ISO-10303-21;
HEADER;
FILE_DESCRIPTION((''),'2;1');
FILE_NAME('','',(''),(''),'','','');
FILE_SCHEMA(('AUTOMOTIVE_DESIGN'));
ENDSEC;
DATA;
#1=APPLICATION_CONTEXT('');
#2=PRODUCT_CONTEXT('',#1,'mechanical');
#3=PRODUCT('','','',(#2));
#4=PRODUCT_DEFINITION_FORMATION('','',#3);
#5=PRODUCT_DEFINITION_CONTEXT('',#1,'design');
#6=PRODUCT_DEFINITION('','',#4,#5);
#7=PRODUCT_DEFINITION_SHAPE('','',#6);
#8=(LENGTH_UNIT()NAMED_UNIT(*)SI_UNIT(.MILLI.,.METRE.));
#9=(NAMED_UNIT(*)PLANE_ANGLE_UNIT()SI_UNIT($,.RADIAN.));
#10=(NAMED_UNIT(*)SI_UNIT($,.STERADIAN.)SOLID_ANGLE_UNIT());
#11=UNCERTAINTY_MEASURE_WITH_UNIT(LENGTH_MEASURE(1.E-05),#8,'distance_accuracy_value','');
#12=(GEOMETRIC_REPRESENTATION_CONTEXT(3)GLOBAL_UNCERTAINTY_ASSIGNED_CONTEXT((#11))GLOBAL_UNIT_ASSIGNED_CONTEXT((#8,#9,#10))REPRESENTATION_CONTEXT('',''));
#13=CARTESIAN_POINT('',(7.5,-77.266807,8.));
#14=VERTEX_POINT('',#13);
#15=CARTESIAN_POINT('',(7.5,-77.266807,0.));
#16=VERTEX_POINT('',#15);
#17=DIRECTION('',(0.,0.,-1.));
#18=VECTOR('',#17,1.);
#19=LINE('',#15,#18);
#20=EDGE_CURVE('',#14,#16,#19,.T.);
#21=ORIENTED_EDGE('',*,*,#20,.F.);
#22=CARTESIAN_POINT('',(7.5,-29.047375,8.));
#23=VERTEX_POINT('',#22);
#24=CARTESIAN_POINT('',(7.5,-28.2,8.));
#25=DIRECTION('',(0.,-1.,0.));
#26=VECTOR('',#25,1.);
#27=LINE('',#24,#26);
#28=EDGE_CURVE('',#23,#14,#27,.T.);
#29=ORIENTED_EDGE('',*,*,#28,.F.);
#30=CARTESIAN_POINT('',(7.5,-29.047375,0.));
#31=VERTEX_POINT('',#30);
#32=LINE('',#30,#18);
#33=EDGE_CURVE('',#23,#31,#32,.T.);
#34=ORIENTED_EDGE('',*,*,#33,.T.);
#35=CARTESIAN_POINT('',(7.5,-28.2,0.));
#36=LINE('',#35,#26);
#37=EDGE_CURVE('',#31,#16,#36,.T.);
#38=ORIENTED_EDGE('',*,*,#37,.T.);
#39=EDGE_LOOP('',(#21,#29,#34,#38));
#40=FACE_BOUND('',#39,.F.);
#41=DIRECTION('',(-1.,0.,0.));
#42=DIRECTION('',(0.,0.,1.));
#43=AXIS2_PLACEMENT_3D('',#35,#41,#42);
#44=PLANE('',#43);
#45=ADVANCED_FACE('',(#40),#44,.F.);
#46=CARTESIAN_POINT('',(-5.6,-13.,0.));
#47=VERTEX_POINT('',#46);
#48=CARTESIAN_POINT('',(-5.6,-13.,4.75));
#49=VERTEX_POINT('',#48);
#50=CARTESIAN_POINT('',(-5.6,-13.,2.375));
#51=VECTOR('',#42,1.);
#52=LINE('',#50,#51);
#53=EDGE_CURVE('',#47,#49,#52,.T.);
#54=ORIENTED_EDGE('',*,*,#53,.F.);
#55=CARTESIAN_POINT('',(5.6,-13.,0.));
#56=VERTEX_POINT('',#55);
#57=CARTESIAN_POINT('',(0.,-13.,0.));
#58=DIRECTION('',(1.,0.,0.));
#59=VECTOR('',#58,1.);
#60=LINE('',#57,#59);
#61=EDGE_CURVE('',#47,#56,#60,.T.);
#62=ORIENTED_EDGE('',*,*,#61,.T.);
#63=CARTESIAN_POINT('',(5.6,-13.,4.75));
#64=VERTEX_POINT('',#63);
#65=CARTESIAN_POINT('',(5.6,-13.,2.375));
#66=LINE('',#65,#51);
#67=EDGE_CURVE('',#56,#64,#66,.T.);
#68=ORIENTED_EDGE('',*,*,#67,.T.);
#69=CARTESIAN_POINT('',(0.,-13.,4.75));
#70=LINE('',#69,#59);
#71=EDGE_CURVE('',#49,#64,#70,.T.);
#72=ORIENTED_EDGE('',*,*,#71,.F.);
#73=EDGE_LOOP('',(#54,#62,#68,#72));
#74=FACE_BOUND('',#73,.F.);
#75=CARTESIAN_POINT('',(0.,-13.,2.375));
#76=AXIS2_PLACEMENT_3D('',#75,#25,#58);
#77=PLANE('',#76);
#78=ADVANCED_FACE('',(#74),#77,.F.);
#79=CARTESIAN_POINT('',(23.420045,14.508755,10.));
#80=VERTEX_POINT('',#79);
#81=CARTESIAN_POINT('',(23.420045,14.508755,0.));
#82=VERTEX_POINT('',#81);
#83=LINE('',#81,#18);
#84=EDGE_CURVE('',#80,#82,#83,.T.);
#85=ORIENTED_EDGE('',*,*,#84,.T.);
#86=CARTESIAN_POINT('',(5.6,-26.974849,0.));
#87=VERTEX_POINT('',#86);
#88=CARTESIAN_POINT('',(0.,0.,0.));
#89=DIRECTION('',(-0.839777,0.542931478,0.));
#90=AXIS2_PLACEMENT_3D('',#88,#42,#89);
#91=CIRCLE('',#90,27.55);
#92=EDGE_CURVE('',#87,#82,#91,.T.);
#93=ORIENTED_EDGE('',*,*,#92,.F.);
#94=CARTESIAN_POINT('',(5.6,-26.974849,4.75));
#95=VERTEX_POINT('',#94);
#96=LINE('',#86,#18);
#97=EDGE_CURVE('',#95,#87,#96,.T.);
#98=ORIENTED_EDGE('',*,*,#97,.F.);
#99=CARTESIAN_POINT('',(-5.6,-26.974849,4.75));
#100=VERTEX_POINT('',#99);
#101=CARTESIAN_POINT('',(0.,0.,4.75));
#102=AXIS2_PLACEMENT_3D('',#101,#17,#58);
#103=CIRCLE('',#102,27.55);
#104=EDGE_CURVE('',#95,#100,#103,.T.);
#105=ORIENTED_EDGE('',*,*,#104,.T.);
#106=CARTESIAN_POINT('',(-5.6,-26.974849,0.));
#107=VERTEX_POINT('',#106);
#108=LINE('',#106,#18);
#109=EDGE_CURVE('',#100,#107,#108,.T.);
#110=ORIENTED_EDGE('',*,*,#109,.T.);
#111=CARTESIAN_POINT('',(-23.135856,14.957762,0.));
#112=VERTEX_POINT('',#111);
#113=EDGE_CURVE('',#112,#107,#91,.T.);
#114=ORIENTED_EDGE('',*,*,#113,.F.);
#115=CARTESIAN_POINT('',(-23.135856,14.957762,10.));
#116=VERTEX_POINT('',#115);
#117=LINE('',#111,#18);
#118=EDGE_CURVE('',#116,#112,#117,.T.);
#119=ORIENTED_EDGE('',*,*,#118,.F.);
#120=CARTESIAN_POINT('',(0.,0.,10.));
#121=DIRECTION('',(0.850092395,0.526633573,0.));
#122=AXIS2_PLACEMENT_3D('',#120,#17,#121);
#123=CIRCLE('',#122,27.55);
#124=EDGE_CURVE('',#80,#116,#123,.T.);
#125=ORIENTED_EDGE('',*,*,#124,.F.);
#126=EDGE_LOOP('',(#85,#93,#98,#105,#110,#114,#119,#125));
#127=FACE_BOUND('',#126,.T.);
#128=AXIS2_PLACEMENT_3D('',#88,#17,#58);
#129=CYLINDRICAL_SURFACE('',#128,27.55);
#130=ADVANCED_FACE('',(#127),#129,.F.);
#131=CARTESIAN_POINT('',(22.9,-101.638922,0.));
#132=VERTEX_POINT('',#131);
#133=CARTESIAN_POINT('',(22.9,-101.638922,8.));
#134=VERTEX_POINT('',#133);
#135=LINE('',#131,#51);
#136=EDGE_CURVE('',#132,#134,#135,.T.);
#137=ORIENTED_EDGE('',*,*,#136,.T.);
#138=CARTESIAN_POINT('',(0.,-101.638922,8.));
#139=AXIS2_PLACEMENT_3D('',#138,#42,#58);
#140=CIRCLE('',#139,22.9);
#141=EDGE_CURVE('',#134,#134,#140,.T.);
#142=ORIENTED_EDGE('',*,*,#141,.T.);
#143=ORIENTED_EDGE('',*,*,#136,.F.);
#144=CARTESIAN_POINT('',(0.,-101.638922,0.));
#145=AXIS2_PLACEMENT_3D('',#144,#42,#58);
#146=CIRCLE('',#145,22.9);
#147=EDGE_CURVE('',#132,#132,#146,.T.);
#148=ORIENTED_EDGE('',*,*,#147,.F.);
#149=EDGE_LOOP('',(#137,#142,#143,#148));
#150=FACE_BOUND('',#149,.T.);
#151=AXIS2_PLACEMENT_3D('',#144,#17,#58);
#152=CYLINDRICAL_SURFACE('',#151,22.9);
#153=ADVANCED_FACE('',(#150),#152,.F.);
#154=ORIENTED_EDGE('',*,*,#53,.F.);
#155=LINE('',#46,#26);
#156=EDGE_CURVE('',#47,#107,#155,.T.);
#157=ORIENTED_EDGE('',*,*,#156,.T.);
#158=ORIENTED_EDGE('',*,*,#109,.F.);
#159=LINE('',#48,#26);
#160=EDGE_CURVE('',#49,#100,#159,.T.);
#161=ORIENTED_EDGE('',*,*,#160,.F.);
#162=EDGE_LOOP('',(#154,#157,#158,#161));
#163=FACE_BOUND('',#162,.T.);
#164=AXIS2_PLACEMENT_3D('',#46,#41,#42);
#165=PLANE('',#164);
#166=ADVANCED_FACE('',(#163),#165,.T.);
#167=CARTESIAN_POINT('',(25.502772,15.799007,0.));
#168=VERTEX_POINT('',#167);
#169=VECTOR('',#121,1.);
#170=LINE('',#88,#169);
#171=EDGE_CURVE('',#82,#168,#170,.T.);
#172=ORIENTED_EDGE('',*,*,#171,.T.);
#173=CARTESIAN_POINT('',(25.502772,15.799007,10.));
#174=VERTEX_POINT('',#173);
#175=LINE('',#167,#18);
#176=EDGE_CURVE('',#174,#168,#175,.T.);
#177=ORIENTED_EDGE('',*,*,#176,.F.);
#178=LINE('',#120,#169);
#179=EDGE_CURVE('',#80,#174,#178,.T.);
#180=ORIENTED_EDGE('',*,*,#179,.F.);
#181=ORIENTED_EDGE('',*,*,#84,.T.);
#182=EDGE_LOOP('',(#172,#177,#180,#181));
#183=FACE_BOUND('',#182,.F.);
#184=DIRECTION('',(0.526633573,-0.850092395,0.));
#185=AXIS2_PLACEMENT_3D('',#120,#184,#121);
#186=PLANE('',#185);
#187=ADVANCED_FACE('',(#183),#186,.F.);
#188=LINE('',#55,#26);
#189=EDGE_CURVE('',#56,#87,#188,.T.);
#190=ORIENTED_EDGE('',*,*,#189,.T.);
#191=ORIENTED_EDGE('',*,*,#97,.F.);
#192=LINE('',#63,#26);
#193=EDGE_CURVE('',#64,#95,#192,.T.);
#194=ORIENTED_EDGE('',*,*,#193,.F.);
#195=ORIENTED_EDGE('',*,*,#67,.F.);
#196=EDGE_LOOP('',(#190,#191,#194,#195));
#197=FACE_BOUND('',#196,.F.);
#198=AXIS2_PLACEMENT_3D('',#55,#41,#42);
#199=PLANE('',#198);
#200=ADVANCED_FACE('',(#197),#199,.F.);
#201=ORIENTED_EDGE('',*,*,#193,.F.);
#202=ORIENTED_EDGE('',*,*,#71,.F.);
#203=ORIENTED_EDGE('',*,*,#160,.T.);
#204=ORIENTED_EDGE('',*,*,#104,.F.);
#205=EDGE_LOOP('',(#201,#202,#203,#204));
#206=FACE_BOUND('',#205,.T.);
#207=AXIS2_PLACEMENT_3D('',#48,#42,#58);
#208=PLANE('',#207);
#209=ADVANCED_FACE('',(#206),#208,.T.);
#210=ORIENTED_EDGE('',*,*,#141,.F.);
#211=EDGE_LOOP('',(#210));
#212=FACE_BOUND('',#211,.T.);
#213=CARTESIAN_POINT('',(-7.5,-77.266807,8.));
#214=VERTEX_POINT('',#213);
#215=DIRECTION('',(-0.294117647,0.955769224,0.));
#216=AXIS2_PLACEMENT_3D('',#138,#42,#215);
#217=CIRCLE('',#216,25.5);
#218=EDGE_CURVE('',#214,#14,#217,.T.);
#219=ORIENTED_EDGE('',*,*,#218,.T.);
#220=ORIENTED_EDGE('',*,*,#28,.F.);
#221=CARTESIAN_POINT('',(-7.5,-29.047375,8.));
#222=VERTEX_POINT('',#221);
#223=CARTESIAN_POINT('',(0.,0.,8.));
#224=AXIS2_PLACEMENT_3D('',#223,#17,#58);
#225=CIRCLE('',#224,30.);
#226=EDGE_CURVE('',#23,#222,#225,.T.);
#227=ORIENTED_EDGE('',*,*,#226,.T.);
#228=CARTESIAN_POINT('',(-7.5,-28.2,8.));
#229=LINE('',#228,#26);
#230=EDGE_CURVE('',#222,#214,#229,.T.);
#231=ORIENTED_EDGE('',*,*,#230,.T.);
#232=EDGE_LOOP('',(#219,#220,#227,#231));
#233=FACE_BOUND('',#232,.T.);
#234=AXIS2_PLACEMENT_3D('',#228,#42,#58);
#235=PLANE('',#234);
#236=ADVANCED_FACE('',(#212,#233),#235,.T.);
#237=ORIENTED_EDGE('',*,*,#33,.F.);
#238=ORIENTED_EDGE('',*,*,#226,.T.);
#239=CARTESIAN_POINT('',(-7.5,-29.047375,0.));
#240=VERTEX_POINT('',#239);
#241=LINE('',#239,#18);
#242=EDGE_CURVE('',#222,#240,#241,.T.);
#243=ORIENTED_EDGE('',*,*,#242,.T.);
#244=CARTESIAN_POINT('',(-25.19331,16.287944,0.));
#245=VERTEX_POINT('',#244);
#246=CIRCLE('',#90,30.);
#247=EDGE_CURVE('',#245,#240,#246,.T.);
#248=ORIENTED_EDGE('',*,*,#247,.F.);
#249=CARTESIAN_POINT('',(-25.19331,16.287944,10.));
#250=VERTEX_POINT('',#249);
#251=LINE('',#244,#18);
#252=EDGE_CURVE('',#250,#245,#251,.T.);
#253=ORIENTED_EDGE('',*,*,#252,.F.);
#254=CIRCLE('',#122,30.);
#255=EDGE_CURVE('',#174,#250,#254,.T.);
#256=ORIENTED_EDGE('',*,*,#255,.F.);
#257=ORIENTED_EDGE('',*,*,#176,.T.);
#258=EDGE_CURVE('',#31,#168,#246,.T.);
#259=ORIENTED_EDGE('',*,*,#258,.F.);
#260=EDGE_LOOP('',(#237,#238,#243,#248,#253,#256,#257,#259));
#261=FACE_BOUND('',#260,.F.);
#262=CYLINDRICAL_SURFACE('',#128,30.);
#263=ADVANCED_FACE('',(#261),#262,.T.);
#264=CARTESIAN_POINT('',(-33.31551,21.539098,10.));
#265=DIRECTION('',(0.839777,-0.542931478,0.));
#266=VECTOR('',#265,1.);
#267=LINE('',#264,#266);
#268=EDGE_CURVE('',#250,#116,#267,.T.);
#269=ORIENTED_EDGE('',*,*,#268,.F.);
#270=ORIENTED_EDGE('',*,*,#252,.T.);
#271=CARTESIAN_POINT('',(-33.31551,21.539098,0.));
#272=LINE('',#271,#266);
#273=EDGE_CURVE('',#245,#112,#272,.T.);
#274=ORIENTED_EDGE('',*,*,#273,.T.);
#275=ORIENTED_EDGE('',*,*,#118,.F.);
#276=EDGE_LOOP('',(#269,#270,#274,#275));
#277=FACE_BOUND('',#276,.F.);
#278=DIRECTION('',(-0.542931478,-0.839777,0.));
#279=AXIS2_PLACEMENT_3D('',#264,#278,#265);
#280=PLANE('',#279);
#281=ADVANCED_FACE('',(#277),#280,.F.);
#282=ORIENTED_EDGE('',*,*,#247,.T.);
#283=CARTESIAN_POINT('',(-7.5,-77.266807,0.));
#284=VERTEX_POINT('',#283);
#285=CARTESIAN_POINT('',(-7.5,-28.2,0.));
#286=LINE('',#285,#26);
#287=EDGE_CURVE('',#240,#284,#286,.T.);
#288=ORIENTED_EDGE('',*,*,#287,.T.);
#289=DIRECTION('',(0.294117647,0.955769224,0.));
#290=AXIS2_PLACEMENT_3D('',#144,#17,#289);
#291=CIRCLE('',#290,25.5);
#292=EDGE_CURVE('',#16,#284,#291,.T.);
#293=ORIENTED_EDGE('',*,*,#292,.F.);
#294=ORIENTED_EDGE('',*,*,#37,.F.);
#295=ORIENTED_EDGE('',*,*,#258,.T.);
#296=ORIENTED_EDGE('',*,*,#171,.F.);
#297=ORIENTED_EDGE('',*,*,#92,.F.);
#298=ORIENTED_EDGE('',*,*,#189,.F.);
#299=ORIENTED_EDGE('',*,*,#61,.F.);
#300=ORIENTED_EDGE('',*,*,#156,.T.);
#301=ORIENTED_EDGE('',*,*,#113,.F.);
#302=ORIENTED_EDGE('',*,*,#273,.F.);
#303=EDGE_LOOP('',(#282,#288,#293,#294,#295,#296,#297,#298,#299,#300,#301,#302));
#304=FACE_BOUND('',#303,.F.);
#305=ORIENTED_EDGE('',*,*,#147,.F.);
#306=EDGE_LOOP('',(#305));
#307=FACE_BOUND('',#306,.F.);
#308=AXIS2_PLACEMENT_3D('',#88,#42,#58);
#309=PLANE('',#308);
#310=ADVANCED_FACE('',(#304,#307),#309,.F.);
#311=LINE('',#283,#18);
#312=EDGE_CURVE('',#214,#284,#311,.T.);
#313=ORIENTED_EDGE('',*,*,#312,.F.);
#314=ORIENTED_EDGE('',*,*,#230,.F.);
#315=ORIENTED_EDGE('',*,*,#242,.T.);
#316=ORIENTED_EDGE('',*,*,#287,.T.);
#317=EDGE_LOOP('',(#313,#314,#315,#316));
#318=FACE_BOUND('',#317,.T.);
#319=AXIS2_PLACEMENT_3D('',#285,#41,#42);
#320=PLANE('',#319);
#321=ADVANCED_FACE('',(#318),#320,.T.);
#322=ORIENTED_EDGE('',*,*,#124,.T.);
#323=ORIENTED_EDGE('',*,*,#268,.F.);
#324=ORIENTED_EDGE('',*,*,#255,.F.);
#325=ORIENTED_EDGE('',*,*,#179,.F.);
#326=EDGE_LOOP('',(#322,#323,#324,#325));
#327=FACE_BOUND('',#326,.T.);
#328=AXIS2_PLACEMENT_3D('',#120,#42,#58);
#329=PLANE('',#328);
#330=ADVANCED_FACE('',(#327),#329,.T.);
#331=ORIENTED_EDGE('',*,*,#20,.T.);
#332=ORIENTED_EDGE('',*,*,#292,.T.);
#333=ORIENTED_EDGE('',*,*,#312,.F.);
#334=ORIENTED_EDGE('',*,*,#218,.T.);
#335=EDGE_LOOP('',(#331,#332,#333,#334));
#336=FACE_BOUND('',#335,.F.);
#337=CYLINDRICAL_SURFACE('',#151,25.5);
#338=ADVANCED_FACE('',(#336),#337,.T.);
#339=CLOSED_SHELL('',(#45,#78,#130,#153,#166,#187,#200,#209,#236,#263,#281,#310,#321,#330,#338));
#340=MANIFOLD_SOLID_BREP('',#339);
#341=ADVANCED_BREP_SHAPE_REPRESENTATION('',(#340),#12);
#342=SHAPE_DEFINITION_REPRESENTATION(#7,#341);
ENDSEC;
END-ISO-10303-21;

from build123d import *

# Parameters (mm, degrees)
SKETCH_R      = 30
SKETCH_R_2    = 27.55
PAD_DEPTH     = 10
POCKET_DEPTH  = 10
SKETCH002_W   = 11.2
SKETCH002_H   = 4.75
PAD001_DEPTH  = 15
SKETCH003_W   = 15
SKETCH003_H   = 8
PAD002_DEPTH  = 50
SKETCH004_R   = 25.5
SKETCH004_R_2 = 22.9
PAD003_DEPTH  = 8


with BuildPart() as body:
    # Sketch → Pad (new body)
    with BuildSketch(Plane.XY):
        Circle(SKETCH_R)
        Circle(SKETCH_R_2, mode=Mode.SUBTRACT)
    extrude(amount=PAD_DEPTH)

    # Sketch001 (on Face4 of Pad) → Pocket (cut)
    with BuildSketch(Plane.XY.offset(10)):
        with BuildLine():
            ThreePointArc((33.724741, 20.89253), (0.382596, 39.670008), (-33.31551, 21.539098))
            Line((-33.31551, 21.539098), (0, 0))
            Line((0, 0), (33.724741, 20.89253))
        make_face()
    extrude(amount=-POCKET_DEPTH, mode=Mode.SUBTRACT)


with BuildPart() as fusion:
    # Sketch002 → Pad001 (new body)
    with BuildSketch(Plane.XZ.offset(20)):
        with Locations((0, 2.375)):
            Rectangle(SKETCH002_W, SKETCH002_H)
    extrude(amount=PAD001_DEPTH)


with BuildPart() as fusion_1:
    # Body001 placement: moved
    add(fusion.part.moved(Location((0, 7, 0))))

    # Fusion: union Body
    add(body.part)


with BuildPart() as fusion001:
    # Sketch003 (on Body) → Pad002 (new body)
    with BuildSketch(Plane.XZ.offset(-7)):
        with Locations((0, 4)):
            Rectangle(SKETCH003_W, SKETCH003_H)
    extrude(amount=PAD002_DEPTH)


with BuildPart() as fusion001_1:
    # Body002 placement: moved
    add(fusion001.part.moved(Location((0, -35.2, 0))))

    # Fusion001: union Fusion
    add(fusion_1.part)


with BuildPart() as fusion002:
    # Sketch004 → Pad003 (new body)
    with BuildSketch(Plane.XY):
        with Locations((0, -84.238922)):
            Circle(SKETCH004_R)
        with Locations((0, -84.238922)):
            Circle(SKETCH004_R_2, mode=Mode.SUBTRACT)
    extrude(amount=PAD003_DEPTH)


with BuildPart() as fusion002_1:
    # Body003 placement: moved
    add(fusion002.part.moved(Location((0, -17.4, 0))))

    # Fusion002: union Fusion001
    add(fusion001_1.part)


solid = fusion002_1.part
